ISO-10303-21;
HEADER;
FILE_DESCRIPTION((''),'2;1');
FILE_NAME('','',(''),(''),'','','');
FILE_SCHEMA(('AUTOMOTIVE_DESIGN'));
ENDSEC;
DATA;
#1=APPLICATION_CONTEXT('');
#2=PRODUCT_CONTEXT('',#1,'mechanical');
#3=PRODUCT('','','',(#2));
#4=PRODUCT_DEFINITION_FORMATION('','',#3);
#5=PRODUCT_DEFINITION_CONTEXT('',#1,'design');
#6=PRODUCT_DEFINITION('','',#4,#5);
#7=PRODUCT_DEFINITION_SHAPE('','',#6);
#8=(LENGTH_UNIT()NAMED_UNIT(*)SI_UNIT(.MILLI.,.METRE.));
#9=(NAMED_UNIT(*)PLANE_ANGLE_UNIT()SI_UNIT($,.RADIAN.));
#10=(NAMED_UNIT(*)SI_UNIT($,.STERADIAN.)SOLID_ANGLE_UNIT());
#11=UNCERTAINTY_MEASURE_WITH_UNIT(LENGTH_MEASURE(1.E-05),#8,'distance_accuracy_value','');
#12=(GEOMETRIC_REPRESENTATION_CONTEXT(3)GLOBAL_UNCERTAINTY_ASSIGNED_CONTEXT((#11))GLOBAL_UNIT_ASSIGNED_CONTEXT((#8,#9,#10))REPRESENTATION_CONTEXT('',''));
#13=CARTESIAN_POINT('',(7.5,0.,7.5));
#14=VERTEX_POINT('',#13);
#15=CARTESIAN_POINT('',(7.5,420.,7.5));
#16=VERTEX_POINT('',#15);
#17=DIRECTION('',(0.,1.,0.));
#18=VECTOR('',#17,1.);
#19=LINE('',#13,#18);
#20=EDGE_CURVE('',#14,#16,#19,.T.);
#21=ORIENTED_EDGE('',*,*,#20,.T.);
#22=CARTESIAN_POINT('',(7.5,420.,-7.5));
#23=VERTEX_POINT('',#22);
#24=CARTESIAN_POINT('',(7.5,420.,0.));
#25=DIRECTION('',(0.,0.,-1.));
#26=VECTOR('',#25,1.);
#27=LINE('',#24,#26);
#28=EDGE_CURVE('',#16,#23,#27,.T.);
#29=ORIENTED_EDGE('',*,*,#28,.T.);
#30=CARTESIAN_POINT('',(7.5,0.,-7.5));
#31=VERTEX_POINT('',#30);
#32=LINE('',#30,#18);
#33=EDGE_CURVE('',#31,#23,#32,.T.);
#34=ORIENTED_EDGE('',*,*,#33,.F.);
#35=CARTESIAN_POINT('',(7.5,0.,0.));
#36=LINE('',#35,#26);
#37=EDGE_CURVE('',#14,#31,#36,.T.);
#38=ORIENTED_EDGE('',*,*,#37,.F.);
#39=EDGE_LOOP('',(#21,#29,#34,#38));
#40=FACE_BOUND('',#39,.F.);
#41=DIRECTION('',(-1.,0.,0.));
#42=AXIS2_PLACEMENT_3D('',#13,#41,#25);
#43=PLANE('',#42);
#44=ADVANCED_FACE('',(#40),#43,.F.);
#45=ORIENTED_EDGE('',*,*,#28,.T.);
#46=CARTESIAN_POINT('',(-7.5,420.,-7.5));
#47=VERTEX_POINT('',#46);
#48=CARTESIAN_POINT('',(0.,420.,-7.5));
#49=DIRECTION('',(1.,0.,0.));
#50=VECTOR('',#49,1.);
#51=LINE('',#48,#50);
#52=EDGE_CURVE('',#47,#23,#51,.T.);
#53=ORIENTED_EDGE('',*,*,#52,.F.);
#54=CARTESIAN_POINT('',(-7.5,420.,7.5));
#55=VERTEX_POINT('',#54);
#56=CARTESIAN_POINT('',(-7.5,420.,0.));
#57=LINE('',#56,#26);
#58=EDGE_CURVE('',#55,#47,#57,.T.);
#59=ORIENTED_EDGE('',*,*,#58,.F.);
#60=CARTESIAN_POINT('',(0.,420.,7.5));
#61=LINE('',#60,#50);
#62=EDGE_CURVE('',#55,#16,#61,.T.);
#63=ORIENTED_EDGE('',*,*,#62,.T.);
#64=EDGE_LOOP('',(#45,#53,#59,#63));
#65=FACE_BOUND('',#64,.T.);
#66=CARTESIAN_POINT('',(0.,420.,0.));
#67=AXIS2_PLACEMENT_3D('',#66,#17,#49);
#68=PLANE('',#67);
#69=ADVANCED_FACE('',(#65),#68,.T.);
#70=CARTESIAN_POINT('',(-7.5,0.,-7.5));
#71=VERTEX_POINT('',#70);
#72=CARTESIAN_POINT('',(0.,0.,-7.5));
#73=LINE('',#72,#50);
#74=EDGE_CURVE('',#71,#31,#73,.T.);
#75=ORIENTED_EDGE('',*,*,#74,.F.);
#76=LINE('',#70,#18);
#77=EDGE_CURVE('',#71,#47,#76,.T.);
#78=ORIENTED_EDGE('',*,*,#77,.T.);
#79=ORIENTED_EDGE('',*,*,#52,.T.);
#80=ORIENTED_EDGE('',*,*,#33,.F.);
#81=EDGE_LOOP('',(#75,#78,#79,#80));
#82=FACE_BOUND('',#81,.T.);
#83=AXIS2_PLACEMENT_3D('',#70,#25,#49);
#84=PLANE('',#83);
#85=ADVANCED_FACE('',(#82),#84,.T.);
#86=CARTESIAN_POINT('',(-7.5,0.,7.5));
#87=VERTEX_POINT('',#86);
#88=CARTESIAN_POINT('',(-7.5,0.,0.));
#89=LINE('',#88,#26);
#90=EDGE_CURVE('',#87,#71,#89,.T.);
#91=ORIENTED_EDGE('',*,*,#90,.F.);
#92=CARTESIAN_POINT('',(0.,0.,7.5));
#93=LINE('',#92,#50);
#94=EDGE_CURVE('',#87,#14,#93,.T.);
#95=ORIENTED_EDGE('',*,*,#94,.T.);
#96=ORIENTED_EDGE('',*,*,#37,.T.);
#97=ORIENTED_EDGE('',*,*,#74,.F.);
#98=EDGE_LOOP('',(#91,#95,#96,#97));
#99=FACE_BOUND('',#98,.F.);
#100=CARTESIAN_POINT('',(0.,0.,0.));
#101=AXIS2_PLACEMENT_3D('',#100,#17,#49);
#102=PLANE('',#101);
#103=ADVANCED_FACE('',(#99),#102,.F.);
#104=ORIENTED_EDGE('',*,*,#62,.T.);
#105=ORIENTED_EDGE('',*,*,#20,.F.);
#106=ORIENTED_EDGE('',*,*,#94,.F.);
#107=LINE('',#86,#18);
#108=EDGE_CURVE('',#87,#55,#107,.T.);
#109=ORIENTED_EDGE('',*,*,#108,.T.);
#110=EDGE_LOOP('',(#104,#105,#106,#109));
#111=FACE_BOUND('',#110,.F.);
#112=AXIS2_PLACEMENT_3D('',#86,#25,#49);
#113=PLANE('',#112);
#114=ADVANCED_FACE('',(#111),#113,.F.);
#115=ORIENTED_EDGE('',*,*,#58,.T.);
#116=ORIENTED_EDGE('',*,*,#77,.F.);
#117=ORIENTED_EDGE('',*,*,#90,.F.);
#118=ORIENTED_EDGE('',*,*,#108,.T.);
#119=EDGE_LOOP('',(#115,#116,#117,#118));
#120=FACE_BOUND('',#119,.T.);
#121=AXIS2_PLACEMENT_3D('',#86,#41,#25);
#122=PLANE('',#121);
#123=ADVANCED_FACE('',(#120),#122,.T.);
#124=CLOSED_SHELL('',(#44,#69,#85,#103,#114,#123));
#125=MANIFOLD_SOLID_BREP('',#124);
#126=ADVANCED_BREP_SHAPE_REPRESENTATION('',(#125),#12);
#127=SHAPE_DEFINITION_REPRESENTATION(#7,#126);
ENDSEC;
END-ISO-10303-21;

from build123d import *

# Parameters (mm, degrees)
SKETCH1_W           = 15
SKETCH1_H           = 15
BOSS_EXTRUDE1_DEPTH = 420


with BuildPart() as part:
    # Sketch1 → Boss-Extrude1 (new body)
    with BuildSketch(Plane(origin=(0, 0, 0), x_dir=(1, 0, 0), z_dir=(0, 1, 0))):
        Rectangle(SKETCH1_W, SKETCH1_H)
    extrude(amount=BOSS_EXTRUDE1_DEPTH)


solid = part.part
